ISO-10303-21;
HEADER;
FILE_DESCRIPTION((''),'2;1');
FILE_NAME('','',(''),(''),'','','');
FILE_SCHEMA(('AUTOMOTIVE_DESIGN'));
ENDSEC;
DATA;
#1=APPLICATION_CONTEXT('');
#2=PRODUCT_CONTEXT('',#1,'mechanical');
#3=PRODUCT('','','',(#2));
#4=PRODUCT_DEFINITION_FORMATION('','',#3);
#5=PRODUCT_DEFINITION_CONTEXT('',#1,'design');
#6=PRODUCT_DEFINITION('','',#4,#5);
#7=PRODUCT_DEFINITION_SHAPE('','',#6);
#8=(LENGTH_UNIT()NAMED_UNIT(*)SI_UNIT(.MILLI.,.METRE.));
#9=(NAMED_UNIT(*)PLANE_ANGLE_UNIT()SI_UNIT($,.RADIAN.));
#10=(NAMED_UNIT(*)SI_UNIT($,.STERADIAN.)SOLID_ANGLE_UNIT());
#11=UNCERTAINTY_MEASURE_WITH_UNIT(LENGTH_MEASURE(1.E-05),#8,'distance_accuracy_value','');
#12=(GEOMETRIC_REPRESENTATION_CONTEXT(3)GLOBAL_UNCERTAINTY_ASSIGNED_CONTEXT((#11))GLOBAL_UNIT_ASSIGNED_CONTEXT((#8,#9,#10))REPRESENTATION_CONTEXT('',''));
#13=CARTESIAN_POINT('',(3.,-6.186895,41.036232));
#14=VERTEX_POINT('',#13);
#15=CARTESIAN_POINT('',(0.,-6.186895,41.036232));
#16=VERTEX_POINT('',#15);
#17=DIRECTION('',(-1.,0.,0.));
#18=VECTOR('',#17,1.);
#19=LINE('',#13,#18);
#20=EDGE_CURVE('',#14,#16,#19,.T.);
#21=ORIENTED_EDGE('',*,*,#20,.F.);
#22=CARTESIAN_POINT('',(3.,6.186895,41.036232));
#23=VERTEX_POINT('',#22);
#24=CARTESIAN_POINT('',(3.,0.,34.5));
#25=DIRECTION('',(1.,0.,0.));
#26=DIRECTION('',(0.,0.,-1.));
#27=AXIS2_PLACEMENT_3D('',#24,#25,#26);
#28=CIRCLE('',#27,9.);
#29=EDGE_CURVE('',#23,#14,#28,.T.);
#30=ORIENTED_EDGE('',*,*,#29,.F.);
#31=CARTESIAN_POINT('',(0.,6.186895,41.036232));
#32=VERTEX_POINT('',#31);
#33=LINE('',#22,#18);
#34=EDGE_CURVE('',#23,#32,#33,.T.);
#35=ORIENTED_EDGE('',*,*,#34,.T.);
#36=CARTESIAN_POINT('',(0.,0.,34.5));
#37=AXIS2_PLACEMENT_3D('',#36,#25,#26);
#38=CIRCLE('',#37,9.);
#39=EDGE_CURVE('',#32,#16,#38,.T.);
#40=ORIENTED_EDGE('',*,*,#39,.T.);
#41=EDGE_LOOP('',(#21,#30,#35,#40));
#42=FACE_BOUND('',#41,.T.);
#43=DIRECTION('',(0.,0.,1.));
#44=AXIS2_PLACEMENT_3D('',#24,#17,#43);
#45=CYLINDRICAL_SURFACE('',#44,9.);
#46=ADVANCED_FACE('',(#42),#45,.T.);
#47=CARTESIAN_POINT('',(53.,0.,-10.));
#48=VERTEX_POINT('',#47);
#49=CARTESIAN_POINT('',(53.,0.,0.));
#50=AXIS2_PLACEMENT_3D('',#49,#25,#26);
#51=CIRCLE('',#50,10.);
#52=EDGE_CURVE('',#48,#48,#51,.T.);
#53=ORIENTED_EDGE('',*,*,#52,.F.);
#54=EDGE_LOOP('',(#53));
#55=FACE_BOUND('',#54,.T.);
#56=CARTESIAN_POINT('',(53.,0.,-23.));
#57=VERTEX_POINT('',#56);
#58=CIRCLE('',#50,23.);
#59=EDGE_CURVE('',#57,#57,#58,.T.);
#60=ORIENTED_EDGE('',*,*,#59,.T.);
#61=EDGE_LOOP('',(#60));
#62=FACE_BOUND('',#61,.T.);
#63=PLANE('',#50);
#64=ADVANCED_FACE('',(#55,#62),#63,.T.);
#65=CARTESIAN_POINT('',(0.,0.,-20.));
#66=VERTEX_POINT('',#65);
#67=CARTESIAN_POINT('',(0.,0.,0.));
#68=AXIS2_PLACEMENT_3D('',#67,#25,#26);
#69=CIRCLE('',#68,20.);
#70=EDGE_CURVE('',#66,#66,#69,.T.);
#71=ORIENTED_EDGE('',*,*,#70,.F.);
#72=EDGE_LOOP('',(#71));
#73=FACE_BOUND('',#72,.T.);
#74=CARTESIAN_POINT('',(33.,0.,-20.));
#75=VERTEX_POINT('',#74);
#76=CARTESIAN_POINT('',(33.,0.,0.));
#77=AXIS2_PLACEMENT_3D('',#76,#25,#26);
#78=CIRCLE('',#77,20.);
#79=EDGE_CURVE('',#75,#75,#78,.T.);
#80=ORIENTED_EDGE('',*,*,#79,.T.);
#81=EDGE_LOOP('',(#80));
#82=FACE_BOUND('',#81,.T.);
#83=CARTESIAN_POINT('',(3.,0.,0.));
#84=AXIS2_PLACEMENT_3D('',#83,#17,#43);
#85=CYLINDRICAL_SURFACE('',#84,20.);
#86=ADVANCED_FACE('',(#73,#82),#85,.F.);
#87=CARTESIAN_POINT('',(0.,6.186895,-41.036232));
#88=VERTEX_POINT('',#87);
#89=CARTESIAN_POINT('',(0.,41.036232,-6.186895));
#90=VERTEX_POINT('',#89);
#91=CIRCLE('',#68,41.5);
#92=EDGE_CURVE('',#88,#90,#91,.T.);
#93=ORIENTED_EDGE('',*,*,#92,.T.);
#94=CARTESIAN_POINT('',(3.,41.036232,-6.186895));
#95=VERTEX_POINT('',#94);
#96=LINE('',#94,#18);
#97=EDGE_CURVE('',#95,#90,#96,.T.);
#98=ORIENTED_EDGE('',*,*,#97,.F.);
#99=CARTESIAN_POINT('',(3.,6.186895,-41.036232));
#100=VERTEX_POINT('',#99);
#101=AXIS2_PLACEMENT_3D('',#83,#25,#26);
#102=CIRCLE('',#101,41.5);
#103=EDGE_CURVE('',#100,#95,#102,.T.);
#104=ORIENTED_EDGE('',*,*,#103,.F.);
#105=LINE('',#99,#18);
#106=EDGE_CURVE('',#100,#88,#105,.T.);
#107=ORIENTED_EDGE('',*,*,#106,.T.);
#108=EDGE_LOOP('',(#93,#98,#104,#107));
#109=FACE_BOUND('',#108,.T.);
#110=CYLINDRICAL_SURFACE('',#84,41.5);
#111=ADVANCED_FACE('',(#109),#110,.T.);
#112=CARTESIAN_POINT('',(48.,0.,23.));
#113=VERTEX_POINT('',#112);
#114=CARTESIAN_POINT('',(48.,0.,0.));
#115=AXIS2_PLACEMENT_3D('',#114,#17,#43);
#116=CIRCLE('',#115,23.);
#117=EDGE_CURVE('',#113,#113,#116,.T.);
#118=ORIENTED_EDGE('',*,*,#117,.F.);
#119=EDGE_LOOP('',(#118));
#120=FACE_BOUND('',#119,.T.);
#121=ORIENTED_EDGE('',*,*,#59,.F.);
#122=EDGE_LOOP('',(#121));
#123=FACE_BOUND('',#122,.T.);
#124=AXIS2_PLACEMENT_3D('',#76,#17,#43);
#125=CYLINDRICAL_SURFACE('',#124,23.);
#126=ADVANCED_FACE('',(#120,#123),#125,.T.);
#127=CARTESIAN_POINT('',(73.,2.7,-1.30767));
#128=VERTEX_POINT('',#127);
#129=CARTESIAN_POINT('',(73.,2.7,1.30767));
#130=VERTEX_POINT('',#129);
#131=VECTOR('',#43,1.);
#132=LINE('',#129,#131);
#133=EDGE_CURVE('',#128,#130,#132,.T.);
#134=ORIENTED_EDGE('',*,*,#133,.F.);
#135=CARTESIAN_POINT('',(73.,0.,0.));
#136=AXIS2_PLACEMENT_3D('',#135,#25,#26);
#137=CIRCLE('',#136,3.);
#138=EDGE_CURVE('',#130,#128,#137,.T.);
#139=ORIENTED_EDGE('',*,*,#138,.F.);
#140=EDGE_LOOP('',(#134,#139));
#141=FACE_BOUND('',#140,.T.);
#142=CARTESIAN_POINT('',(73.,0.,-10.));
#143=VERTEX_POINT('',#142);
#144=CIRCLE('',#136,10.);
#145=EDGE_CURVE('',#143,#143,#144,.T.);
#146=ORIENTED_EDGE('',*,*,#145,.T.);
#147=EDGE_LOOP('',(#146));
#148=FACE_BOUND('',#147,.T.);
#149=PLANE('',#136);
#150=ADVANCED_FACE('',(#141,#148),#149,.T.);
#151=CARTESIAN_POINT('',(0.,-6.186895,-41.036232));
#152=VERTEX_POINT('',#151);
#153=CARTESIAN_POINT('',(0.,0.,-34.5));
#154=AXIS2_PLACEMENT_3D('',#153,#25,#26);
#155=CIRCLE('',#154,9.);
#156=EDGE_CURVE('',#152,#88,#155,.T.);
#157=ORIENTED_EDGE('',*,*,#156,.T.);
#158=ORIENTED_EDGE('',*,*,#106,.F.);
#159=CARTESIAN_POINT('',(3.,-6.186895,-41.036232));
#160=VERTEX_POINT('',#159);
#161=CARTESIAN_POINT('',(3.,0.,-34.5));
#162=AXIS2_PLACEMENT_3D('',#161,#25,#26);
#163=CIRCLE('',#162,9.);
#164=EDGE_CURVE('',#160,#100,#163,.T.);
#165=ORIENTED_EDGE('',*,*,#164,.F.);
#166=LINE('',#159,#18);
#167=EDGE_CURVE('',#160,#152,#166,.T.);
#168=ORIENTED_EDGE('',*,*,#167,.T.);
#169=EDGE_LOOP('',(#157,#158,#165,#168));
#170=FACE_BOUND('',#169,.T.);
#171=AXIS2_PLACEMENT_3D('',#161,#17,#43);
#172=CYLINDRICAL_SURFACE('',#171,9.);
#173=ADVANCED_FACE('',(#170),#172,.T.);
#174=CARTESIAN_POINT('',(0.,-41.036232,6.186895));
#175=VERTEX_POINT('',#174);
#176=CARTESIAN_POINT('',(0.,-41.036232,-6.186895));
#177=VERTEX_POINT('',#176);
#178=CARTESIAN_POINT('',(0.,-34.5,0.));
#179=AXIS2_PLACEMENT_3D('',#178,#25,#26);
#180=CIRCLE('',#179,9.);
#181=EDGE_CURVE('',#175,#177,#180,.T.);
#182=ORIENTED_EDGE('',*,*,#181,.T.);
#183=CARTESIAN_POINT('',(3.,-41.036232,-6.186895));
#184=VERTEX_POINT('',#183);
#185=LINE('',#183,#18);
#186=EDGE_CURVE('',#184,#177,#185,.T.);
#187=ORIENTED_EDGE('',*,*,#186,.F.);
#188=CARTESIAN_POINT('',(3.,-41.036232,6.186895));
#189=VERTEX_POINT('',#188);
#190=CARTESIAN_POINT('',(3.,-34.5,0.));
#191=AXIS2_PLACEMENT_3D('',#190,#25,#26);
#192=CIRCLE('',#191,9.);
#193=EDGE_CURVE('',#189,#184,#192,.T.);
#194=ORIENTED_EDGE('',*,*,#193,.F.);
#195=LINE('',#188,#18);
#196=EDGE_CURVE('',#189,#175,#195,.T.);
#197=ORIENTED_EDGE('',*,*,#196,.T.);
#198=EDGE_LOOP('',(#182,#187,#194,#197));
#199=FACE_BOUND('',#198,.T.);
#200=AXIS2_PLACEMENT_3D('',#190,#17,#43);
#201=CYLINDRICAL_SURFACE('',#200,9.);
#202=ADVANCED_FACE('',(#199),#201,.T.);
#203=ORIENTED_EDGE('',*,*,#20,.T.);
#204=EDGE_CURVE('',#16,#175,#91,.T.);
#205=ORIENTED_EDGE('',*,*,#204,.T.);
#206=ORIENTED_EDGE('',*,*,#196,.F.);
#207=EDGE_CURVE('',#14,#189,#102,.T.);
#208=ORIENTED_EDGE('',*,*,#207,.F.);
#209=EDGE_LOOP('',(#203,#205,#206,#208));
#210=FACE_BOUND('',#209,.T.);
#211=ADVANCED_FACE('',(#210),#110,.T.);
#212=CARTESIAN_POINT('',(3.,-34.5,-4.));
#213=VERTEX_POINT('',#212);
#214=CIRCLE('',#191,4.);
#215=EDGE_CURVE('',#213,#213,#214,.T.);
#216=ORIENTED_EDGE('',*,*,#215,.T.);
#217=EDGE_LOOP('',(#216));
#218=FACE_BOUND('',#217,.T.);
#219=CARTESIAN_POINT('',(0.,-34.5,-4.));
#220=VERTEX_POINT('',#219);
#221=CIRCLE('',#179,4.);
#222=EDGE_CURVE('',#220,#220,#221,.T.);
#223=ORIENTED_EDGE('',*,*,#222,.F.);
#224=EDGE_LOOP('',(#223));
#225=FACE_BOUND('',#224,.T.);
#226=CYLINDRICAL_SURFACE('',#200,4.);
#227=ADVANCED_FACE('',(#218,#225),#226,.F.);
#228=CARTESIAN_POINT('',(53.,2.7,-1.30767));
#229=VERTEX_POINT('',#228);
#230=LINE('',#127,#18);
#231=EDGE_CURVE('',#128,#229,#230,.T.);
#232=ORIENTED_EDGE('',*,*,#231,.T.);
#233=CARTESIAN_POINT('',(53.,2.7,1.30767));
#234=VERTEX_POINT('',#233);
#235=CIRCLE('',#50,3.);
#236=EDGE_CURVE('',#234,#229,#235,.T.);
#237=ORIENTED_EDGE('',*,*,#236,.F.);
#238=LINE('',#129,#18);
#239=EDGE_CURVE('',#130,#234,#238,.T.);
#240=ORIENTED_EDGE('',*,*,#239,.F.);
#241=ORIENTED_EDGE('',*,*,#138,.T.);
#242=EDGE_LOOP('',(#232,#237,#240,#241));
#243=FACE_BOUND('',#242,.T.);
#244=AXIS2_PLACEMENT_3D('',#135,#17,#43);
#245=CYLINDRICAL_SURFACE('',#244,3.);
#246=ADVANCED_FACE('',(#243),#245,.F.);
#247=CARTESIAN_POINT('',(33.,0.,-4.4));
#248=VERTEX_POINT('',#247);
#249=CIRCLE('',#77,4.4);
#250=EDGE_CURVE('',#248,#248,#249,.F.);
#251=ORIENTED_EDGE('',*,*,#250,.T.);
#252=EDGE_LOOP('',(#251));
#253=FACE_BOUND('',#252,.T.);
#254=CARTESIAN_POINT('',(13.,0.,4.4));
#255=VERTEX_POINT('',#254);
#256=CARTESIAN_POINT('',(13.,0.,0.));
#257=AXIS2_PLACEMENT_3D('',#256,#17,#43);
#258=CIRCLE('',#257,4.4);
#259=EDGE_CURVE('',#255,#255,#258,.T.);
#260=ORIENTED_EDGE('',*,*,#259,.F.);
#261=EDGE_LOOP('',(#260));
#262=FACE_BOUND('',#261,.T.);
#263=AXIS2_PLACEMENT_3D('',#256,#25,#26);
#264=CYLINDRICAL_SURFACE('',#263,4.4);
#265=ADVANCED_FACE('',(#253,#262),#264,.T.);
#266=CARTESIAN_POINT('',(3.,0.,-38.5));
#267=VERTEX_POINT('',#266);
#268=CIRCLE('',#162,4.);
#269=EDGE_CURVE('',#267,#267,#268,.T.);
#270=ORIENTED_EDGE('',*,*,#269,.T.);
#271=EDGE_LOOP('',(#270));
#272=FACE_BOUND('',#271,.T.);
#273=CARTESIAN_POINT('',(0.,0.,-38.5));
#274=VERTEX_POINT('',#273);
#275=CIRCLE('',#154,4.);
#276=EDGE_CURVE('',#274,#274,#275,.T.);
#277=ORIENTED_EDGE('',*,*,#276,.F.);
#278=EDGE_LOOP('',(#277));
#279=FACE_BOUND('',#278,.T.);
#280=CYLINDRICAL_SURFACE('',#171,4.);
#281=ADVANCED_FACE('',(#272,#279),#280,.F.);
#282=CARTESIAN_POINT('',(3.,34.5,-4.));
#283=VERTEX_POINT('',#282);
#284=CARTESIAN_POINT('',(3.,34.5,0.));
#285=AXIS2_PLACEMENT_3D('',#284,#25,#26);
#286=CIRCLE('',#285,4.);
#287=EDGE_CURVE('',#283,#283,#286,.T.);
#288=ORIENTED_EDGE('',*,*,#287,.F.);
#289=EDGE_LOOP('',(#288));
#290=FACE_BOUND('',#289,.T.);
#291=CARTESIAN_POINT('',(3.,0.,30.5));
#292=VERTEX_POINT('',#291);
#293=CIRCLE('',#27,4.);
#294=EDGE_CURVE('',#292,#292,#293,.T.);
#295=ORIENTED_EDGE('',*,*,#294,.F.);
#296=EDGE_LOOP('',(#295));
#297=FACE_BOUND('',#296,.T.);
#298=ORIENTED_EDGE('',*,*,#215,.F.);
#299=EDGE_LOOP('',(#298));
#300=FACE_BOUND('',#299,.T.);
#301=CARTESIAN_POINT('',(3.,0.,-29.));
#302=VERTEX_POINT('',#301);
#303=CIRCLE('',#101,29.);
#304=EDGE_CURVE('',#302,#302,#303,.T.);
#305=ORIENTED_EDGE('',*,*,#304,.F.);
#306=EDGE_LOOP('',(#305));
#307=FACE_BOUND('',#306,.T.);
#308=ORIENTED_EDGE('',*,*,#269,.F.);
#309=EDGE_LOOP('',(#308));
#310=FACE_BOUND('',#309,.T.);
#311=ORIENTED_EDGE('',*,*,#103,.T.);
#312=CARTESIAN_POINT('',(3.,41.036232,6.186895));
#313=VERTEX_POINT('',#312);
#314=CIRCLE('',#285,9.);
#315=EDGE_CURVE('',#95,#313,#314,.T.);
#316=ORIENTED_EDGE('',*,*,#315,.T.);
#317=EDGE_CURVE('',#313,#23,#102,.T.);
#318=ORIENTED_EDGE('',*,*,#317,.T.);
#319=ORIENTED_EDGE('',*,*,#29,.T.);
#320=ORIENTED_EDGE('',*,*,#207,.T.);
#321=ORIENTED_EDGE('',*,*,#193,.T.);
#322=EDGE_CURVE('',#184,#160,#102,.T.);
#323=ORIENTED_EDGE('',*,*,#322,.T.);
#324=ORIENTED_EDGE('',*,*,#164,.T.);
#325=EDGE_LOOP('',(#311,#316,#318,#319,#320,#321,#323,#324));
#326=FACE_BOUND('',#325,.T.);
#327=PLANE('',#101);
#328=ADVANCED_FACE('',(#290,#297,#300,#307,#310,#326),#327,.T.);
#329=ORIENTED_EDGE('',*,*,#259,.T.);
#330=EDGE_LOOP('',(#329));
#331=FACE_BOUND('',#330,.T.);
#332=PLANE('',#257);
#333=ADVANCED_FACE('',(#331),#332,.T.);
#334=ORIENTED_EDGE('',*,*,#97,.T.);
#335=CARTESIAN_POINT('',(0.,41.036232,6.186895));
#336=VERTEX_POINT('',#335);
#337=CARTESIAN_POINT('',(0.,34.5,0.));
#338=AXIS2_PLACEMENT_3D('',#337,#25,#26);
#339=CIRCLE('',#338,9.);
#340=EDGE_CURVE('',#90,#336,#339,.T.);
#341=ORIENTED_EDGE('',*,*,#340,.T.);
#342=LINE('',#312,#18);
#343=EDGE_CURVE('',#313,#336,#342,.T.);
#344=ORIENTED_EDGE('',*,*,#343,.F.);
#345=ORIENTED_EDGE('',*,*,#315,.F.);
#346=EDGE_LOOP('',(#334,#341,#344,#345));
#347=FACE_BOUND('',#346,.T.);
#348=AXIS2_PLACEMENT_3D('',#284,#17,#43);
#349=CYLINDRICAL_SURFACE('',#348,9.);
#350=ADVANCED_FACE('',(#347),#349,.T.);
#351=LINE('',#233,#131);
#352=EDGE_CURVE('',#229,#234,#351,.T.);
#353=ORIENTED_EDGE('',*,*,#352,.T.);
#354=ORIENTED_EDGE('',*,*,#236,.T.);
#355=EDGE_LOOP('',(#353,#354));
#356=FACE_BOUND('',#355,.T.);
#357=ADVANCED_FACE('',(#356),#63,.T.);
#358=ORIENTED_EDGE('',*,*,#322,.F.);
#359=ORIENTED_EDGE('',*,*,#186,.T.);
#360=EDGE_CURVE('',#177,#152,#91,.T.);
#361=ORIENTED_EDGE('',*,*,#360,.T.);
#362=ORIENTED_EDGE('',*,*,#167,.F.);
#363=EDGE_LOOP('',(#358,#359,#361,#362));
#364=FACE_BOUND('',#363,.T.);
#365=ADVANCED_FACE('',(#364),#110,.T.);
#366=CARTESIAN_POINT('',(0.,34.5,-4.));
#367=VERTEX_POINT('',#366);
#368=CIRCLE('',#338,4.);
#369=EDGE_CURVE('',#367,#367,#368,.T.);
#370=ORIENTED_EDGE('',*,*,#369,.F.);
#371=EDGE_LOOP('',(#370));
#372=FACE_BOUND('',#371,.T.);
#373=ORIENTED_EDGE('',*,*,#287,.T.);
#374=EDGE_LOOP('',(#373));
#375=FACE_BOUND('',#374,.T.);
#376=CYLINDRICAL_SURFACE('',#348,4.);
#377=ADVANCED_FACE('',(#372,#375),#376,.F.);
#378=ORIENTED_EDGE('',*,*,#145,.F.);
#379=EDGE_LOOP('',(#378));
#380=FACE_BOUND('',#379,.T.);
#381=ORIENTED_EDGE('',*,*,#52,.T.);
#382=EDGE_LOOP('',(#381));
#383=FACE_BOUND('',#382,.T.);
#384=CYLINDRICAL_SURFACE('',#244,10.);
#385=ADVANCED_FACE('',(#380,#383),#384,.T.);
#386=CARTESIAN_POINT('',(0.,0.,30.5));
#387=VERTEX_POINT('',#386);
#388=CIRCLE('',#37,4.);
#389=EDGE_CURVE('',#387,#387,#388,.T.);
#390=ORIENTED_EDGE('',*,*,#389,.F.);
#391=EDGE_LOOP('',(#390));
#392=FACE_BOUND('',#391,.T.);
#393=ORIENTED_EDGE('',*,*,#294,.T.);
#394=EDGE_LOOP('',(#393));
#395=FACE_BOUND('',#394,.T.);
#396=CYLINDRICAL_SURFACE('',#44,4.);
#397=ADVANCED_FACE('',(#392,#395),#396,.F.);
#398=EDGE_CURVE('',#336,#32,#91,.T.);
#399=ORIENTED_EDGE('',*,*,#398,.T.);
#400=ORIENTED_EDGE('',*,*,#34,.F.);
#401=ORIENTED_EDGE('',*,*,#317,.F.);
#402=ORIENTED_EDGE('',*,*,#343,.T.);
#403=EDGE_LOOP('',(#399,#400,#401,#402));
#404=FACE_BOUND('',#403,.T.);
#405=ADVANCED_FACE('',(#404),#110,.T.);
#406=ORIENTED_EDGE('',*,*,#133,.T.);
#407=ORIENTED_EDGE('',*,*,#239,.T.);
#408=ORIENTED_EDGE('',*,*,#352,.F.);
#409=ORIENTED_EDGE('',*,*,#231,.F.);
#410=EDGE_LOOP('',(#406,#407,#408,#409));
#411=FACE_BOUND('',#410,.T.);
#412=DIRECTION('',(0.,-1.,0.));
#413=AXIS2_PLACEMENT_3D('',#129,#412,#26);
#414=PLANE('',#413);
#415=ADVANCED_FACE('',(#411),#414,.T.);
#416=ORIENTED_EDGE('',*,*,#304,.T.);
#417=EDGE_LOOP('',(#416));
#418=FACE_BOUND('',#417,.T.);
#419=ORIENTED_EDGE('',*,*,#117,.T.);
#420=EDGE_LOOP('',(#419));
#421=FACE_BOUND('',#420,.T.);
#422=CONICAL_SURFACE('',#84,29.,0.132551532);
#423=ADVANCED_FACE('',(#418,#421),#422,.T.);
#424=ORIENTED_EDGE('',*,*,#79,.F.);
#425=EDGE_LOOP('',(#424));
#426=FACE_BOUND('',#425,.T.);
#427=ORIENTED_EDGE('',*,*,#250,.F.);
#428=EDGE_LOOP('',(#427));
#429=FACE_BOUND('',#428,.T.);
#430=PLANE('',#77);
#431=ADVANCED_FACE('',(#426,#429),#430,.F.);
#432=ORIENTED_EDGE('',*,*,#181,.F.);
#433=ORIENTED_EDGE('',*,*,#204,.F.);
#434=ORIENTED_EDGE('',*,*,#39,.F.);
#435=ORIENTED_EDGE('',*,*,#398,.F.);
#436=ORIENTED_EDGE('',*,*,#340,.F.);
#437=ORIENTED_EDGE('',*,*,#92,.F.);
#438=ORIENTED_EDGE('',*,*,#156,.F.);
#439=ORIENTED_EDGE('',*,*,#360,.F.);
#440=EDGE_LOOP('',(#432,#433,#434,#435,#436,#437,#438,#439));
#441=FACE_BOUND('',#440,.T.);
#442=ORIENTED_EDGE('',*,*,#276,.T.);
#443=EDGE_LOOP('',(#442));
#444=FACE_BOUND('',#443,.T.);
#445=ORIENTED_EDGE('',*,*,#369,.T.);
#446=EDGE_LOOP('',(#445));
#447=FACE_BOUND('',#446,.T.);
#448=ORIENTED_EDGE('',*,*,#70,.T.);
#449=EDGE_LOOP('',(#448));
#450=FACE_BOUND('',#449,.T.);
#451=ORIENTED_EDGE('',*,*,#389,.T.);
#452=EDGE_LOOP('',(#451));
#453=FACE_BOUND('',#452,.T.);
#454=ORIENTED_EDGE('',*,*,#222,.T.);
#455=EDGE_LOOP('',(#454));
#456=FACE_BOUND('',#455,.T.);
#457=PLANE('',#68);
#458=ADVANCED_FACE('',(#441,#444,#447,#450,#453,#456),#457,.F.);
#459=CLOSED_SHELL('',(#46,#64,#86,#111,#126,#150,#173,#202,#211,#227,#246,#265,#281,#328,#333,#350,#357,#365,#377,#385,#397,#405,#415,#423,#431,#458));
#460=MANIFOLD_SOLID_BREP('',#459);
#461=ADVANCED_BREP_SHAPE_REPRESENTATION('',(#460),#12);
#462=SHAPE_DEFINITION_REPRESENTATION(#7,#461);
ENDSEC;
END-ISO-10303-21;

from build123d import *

# Parameters (mm, degrees)
CROQUIS1_R              = 4
CROQUIS1_R_2            = 20
SALIENTE_EXTRUIR1_DEPTH = 3
CROQUIS2_R              = 23
CROQUIS2_R_2            = 20
EXTRUIR_L_MINA2_DEPTH   = 30
CROQUIS3_R              = 23
SALIENTE_EXTRUIR2_DEPTH = 20
CROQUIS4_R              = 4.4
SALIENTE_EXTRUIR3_DEPTH = 20
CROQUIS6_R              = 10
SALIENTE_EXTRUIR4_DEPTH = 20


with BuildPart() as part:
    # Croquis1 → Saliente-Extruir1 (new body)
    with BuildSketch(Plane(origin=(0, 0, 0), x_dir=(0, 0, -1), z_dir=(1, 0, 0))):
        with BuildLine():
            ThreePointArc((6.186895244, 41.036231884), (0, 43.5), (-6.186895244, 41.036231884))
            ThreePointArc((-6.186895244, 41.036231884), (-29.344931419, 29.344931419), (-41.036231884, 6.186895244))
            ThreePointArc((-41.036231884, 6.186895244), (-43.5, 0), (-41.036231884, -6.186895244))
            ThreePointArc((-41.036231884, -6.186895244), (-29.344931419, -29.344931419), (-6.186895244, -41.036231884))
            ThreePointArc((-6.186895244, -41.036231884), (0, -43.5), (6.186895244, -41.036231884))
            ThreePointArc((6.186895244, -41.036231884), (29.344931419, -29.344931419), (41.036231884, -6.186895244))
            ThreePointArc((41.036231884, -6.186895244), (43.5, 0), (41.036231884, 6.186895244))
            ThreePointArc((41.036231884, 6.186895244), (29.344931419, 29.344931419), (6.186895244, 41.036231884))
        make_face()
        with Locations((0, -34.5)):
            Circle(CROQUIS1_R, mode=Mode.SUBTRACT)
        with Locations((-34.5, 0)):
            Circle(CROQUIS1_R, mode=Mode.SUBTRACT)
        Circle(CROQUIS1_R_2, mode=Mode.SUBTRACT)
        with Locations((0, 34.5)):
            Circle(CROQUIS1_R, mode=Mode.SUBTRACT)
        with Locations((34.5, 0)):
            Circle(CROQUIS1_R, mode=Mode.SUBTRACT)
    extrude(amount=SALIENTE_EXTRUIR1_DEPTH)

    # Croquis2 → Extruir-Lámina2 (add)
    with BuildSketch(Plane(origin=(3, 0, 0), x_dir=(0, 0, -1), z_dir=(1, 0, 0))):
        Circle(CROQUIS2_R)
        Circle(CROQUIS2_R_2, mode=Mode.SUBTRACT)
    extrude(amount=EXTRUIR_L_MINA2_DEPTH)

    # Croquis3 → Saliente-Extruir2 (add)
    with BuildSketch(Plane(origin=(33, 0, 0), x_dir=(0, 0, -1), z_dir=(1, 0, 0))):
        Circle(CROQUIS3_R)
    extrude(amount=SALIENTE_EXTRUIR2_DEPTH)

    # Croquis4 → Saliente-Extruir3 (add)
    with BuildSketch(Plane.ZY.offset(-33)):
        with Locations(Location((0, 0, 0), (0, 0, 180))):
            Circle(CROQUIS4_R)
    extrude(amount=SALIENTE_EXTRUIR3_DEPTH)

    # Croquis5 → Revolución1 (revolve)
    with BuildSketch(Plane(origin=(0, 0, 0), x_dir=(1, 0, 0), z_dir=(0, 1, 0))):
        Polygon((48, -23), (3, -29), (3, -23), align=None)
    revolve(axis=Axis((-12.262234232, 0, 0), (1, 0, 0)))

    # Croquis6 → Saliente-Extruir4 (add)
    with BuildSketch(Plane(origin=(53, 0, 0), x_dir=(0, 0, -1), z_dir=(1, 0, 0))):
        Circle(CROQUIS6_R)
        with BuildLine():
            Line((-1.307669683, 2.7), (1.307669683, 2.7))
            ThreePointArc((1.307669683, 2.7), (0, -3), (-1.307669683, 2.7))
        make_face(mode=Mode.SUBTRACT)
    extrude(amount=SALIENTE_EXTRUIR4_DEPTH)


solid = part.part
